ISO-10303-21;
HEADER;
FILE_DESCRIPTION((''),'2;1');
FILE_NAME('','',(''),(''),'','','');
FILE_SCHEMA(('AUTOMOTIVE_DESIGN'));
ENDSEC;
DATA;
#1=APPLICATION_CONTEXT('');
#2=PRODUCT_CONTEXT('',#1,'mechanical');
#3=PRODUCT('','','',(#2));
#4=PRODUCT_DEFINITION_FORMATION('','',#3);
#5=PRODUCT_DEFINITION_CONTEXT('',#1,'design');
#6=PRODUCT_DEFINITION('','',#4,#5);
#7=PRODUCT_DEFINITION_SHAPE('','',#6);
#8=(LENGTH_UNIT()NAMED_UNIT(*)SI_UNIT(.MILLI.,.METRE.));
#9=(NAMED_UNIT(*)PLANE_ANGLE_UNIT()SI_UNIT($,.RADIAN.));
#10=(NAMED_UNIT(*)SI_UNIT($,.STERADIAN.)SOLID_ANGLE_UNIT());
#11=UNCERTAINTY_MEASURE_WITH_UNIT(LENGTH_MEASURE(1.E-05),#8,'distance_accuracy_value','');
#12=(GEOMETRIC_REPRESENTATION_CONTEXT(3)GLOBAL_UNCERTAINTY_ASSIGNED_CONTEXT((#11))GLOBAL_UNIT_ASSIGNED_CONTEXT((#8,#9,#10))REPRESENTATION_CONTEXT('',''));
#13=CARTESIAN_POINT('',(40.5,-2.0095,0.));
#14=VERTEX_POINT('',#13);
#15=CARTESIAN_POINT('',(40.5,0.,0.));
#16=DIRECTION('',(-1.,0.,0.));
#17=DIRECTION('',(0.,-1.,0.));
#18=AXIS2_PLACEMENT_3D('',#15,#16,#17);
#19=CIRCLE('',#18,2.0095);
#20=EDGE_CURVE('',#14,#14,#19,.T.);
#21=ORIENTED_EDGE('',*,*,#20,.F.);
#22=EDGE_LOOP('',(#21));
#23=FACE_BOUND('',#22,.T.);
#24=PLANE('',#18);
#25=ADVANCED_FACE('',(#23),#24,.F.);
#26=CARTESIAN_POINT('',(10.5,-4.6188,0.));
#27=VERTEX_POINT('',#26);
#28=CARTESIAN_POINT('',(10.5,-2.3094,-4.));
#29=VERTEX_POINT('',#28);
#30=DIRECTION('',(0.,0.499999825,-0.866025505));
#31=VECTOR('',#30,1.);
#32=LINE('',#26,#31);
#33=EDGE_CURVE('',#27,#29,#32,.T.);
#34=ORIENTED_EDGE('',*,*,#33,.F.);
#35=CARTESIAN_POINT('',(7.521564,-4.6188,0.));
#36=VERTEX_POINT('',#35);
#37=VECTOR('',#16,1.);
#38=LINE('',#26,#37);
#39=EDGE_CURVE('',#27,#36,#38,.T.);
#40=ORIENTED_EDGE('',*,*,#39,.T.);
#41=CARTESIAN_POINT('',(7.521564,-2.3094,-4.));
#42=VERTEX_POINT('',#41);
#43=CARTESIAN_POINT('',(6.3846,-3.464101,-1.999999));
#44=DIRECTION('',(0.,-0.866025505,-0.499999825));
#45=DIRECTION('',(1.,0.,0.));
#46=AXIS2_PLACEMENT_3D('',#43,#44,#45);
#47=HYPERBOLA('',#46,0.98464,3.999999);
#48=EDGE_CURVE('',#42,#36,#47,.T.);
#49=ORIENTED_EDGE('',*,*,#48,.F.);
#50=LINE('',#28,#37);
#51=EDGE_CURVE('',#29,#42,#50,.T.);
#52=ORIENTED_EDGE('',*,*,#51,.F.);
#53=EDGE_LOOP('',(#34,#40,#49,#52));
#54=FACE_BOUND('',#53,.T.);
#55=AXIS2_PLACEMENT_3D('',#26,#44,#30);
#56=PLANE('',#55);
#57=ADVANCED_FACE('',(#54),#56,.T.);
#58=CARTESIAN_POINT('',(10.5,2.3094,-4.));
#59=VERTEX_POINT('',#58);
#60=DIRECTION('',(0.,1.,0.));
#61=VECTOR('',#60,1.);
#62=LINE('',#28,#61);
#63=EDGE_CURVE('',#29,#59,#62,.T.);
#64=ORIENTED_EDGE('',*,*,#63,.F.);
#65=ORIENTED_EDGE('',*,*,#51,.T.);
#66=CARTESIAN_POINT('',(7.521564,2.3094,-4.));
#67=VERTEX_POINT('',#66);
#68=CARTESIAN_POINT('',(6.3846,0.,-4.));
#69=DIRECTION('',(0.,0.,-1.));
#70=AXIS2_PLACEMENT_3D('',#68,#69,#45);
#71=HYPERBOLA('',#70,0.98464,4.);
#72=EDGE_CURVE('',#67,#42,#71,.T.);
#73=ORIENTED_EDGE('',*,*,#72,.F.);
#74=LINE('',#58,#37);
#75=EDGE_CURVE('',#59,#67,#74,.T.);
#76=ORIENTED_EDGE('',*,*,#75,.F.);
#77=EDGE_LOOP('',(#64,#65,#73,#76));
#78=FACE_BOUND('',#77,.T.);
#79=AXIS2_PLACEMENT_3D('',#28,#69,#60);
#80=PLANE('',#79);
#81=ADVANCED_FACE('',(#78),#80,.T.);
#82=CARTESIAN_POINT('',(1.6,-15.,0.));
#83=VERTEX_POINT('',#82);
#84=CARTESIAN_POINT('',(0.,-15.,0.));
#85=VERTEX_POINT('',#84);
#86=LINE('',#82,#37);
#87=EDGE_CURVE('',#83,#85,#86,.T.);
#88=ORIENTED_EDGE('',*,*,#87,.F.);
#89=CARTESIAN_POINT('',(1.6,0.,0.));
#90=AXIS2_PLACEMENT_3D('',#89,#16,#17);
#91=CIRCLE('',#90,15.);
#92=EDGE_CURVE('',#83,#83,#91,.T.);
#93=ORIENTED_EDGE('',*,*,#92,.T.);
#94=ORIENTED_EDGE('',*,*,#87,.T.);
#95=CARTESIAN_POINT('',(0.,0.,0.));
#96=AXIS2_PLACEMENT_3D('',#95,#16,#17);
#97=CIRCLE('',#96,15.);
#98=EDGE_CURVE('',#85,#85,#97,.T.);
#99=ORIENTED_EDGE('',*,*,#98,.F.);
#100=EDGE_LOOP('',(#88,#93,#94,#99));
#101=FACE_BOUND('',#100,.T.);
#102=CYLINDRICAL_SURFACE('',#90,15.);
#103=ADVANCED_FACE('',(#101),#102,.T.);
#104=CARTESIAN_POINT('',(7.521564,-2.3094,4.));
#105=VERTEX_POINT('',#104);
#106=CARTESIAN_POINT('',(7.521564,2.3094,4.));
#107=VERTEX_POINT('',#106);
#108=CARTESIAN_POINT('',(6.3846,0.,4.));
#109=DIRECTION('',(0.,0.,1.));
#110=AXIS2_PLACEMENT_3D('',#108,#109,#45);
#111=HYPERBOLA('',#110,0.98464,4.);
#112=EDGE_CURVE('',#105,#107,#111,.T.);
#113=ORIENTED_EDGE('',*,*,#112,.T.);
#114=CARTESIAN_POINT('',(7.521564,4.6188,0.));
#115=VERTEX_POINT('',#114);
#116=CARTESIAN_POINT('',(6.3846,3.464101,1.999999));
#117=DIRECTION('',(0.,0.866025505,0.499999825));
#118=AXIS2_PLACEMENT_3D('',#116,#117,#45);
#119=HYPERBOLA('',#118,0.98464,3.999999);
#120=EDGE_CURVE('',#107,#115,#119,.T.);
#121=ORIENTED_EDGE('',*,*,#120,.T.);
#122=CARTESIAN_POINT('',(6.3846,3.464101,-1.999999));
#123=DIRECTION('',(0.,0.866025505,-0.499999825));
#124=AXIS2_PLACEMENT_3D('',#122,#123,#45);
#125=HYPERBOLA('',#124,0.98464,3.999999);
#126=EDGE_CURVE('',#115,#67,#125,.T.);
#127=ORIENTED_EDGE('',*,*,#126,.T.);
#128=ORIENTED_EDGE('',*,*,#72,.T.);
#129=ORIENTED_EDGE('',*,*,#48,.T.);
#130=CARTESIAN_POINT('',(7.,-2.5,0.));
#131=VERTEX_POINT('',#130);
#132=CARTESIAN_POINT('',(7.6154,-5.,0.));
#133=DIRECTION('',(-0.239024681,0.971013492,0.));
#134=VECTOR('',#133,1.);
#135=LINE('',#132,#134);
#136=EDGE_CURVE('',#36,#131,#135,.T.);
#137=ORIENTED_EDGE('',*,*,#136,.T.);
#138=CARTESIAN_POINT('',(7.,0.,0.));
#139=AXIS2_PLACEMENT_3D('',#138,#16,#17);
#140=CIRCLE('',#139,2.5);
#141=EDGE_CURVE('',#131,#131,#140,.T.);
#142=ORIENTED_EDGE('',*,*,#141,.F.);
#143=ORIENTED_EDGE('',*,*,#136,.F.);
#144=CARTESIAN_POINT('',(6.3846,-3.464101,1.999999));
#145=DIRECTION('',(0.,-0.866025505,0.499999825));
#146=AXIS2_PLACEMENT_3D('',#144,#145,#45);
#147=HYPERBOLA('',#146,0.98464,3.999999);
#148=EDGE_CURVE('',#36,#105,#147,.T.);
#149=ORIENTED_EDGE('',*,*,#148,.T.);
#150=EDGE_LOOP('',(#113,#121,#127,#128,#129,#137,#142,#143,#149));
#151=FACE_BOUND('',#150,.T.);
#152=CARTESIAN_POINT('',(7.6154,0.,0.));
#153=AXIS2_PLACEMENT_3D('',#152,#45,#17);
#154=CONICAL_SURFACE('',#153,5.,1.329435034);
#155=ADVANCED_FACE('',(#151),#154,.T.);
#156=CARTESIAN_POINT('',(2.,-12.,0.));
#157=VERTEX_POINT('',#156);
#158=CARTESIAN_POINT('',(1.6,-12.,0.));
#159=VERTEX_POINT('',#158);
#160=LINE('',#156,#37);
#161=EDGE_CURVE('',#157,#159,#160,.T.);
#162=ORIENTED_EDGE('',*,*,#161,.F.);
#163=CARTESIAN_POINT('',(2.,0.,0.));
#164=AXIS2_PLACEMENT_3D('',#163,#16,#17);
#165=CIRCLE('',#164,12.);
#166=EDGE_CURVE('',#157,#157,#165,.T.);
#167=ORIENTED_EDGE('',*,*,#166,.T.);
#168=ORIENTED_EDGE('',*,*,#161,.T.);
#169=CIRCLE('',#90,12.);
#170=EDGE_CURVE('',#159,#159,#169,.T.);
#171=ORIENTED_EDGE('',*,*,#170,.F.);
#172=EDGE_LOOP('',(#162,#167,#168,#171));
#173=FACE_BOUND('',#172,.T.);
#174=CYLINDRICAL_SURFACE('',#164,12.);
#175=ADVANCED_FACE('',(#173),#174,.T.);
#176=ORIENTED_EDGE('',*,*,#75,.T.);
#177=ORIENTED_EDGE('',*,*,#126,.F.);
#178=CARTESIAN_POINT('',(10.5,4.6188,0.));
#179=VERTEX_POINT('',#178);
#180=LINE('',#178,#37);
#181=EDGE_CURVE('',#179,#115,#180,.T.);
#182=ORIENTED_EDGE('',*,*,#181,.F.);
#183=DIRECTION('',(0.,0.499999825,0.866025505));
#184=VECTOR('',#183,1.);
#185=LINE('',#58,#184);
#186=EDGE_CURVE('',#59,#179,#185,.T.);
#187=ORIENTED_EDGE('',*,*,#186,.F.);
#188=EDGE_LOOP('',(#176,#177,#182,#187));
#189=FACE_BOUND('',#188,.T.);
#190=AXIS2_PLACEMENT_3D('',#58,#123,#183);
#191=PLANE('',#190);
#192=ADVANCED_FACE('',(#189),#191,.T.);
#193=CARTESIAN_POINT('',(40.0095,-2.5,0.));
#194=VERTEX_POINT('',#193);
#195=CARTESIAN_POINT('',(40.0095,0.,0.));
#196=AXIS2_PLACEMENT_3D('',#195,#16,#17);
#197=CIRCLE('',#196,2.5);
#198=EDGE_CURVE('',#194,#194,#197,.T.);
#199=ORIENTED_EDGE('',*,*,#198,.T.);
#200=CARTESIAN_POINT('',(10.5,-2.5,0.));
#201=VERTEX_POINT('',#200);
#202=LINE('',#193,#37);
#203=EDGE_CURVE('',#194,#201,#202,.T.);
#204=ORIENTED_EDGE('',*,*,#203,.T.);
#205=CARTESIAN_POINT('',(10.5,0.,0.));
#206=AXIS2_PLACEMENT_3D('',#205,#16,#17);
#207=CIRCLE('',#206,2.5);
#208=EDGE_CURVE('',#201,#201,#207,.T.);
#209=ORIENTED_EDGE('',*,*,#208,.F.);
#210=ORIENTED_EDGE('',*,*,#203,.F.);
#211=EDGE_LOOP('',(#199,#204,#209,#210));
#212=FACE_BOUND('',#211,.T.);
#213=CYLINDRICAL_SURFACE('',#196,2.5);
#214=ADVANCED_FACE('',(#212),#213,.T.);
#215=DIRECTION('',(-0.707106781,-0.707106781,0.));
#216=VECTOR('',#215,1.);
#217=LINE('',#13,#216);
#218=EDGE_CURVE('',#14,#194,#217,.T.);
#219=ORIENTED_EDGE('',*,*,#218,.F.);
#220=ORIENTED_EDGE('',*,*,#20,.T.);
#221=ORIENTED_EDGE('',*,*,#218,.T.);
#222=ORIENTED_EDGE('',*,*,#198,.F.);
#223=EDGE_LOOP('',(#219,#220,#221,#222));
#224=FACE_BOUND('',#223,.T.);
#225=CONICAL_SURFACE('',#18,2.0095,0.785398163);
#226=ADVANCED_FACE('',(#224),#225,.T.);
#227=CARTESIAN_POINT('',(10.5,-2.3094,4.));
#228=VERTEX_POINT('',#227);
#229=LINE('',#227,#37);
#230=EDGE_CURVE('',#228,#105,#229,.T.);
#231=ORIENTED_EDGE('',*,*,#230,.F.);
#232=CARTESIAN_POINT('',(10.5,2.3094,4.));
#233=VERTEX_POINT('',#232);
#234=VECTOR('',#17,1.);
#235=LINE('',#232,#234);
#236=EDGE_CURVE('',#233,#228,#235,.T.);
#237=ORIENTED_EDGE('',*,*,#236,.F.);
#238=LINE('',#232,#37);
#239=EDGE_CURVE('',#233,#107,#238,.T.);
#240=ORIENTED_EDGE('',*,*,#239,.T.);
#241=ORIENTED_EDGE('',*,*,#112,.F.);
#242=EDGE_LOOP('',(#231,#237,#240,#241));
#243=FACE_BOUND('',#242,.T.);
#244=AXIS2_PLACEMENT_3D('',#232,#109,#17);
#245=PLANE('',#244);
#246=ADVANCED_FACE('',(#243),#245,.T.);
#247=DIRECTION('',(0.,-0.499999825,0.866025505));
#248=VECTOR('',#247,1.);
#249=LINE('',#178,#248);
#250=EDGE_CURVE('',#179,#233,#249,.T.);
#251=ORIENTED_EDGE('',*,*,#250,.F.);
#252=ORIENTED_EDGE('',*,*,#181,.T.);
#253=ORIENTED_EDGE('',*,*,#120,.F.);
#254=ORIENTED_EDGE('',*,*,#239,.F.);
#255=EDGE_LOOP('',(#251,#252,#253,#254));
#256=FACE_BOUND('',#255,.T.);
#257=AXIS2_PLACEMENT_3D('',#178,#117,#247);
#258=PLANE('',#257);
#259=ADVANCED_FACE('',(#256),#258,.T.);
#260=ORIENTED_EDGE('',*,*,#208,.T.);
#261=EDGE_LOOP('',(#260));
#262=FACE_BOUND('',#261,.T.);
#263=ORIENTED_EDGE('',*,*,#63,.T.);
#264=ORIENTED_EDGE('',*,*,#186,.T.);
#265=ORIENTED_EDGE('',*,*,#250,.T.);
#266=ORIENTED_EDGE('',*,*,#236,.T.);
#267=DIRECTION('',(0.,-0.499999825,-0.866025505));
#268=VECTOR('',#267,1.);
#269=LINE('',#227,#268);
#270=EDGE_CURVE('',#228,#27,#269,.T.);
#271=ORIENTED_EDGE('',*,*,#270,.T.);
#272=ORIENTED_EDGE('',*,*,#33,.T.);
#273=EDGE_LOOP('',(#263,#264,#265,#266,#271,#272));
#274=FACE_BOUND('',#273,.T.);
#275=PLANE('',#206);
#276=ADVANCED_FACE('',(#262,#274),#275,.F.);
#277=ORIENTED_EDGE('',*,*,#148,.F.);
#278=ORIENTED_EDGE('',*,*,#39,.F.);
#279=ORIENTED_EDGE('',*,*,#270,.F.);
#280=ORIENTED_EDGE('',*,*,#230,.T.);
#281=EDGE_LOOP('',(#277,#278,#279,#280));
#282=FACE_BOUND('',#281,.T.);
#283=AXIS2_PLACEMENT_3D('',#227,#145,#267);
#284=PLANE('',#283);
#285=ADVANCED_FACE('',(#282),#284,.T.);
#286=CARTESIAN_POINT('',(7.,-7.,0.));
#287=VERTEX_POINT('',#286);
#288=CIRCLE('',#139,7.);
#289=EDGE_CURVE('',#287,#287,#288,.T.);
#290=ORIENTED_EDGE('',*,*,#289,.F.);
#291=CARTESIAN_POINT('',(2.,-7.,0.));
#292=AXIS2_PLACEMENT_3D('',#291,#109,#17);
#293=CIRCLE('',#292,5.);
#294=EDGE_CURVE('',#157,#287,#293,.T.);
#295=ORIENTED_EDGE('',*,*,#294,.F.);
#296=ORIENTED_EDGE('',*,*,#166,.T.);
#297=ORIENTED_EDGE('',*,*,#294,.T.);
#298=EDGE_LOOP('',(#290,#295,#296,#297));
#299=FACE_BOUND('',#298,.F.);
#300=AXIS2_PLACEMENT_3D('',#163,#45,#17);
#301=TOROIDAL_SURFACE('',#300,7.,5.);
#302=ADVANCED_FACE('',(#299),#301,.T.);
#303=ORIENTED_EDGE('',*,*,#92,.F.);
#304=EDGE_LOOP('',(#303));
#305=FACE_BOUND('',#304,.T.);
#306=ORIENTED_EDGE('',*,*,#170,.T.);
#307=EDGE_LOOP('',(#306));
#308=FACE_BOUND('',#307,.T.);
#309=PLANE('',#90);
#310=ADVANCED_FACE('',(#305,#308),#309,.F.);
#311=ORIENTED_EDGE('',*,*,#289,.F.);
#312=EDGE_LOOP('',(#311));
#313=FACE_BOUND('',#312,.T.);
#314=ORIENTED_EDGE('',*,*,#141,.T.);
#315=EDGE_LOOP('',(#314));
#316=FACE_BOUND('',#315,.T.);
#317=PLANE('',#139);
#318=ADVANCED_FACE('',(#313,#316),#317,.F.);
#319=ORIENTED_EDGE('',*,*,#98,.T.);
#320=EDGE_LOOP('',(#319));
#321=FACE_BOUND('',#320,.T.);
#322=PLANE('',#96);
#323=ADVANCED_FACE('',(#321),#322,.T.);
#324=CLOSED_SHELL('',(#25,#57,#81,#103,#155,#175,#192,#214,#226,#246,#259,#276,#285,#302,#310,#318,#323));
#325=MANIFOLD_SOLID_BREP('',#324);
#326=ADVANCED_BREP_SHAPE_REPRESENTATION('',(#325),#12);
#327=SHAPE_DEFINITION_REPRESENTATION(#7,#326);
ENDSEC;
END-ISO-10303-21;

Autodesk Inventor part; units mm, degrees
sketch "Sketch_1" plane through (0, 0, 0) normal (0, 0, 1) x (1, 0, 0)
  line L0 (0, 0) -> (40.5, 0)
  line L1 (40.5, 0) -> (40.5, -2.0095)
  line L2 (40.5, -2.0095) -> (40.0095, -2.5)
  line L3 (40.0095, -2.5) -> (10.5, -2.5)
  line L4 (10.5, -2.5) -> (10.5, -5)
  line L5 (10.5, -5) -> (7.6154, -5)
  line L6 (7.6154, -5) -> (7, -2.5)
  line L7 (7, -2.5) -> (7, -7)
  arc A0 (2, -12) -> (7, -7) centre (2, -7) ccw
  line L8 (2, -12) -> (1.6, -12)
  line L9 (1.6, -12) -> (1.6, -15)
  line L10 (1.6, -15) -> (0, -15)
  line L11 (0, -15) -> (0, 0)
  line L12 (0, 0) -> (40.5, 0)
revolve "Revolution1" add sketch "Sketch_1" angle 360 about axis through (0, 0, 0) along (-1, 0, 0)
thread "Thread1" size "M5x0.8" class "6g" standard "ISO Metric profile" full length
sketch "Sketch_2" plane through (10.5, 0, 0) normal (1, 0, 0) x (0, 0, -1)
  circle A0 centre (0, 0) radius 5.2
  line L0 (-4, -2.3094) -> (0, -4.6188)
  line L1 (0, -4.6188) -> (4, -2.3094)
  line L2 (4, -2.3094) -> (4, 2.3094)
  line L3 (4, 2.3094) -> (0, 4.6188)
  line L4 (0, 4.6188) -> (-4, 2.3094)
  line L5 (-4, 2.3094) -> (-4, -2.3094)
extrude "Extrusion1" cut sketch "Sketch_2" against normal blind 3.5
ref_plane "pad_to_dummy_XY" through (0, 0, 0) normal (1, 0, 0) x (0, 0, -1)
ref_plane "pad_to_dummy_YZ" through (0, 0, 0) normal (0, 0, -1) x (0, 1, 0)
ref_plane "pad_to_dummy_ZX" through (0, 0, 0) normal (0, 1, 0) x (1, 0, 0)
ref_plane "pad_to_nut_XY" through (20.25, 0, 0) normal (1, 0, 0) x (0, 0, -1)
ref_plane "pad_to_nut_YZ" through (20.25, 0, 0) normal (0, 0, -1) x (0, 1, 0)
ref_plane "pad_to_nut_ZX" through (20.25, 0, 0) normal (0, 1, 0) x (1, 0, 0)
ref_plane "pad_to_plate_XY" through (36.25, 0, 0) normal (1, 0, 0) x (0, 0, -1)
ref_plane "pad_to_plate_YZ" through (36.25, 0, 0) normal (0, 0, -1) x (0, 1, 0)
ref_plane "pad_to_plate_ZX" through (36.25, 0, 0) normal (0, 1, 0) x (1, 0, 0)
properties part number "NFJN5-30pad"
